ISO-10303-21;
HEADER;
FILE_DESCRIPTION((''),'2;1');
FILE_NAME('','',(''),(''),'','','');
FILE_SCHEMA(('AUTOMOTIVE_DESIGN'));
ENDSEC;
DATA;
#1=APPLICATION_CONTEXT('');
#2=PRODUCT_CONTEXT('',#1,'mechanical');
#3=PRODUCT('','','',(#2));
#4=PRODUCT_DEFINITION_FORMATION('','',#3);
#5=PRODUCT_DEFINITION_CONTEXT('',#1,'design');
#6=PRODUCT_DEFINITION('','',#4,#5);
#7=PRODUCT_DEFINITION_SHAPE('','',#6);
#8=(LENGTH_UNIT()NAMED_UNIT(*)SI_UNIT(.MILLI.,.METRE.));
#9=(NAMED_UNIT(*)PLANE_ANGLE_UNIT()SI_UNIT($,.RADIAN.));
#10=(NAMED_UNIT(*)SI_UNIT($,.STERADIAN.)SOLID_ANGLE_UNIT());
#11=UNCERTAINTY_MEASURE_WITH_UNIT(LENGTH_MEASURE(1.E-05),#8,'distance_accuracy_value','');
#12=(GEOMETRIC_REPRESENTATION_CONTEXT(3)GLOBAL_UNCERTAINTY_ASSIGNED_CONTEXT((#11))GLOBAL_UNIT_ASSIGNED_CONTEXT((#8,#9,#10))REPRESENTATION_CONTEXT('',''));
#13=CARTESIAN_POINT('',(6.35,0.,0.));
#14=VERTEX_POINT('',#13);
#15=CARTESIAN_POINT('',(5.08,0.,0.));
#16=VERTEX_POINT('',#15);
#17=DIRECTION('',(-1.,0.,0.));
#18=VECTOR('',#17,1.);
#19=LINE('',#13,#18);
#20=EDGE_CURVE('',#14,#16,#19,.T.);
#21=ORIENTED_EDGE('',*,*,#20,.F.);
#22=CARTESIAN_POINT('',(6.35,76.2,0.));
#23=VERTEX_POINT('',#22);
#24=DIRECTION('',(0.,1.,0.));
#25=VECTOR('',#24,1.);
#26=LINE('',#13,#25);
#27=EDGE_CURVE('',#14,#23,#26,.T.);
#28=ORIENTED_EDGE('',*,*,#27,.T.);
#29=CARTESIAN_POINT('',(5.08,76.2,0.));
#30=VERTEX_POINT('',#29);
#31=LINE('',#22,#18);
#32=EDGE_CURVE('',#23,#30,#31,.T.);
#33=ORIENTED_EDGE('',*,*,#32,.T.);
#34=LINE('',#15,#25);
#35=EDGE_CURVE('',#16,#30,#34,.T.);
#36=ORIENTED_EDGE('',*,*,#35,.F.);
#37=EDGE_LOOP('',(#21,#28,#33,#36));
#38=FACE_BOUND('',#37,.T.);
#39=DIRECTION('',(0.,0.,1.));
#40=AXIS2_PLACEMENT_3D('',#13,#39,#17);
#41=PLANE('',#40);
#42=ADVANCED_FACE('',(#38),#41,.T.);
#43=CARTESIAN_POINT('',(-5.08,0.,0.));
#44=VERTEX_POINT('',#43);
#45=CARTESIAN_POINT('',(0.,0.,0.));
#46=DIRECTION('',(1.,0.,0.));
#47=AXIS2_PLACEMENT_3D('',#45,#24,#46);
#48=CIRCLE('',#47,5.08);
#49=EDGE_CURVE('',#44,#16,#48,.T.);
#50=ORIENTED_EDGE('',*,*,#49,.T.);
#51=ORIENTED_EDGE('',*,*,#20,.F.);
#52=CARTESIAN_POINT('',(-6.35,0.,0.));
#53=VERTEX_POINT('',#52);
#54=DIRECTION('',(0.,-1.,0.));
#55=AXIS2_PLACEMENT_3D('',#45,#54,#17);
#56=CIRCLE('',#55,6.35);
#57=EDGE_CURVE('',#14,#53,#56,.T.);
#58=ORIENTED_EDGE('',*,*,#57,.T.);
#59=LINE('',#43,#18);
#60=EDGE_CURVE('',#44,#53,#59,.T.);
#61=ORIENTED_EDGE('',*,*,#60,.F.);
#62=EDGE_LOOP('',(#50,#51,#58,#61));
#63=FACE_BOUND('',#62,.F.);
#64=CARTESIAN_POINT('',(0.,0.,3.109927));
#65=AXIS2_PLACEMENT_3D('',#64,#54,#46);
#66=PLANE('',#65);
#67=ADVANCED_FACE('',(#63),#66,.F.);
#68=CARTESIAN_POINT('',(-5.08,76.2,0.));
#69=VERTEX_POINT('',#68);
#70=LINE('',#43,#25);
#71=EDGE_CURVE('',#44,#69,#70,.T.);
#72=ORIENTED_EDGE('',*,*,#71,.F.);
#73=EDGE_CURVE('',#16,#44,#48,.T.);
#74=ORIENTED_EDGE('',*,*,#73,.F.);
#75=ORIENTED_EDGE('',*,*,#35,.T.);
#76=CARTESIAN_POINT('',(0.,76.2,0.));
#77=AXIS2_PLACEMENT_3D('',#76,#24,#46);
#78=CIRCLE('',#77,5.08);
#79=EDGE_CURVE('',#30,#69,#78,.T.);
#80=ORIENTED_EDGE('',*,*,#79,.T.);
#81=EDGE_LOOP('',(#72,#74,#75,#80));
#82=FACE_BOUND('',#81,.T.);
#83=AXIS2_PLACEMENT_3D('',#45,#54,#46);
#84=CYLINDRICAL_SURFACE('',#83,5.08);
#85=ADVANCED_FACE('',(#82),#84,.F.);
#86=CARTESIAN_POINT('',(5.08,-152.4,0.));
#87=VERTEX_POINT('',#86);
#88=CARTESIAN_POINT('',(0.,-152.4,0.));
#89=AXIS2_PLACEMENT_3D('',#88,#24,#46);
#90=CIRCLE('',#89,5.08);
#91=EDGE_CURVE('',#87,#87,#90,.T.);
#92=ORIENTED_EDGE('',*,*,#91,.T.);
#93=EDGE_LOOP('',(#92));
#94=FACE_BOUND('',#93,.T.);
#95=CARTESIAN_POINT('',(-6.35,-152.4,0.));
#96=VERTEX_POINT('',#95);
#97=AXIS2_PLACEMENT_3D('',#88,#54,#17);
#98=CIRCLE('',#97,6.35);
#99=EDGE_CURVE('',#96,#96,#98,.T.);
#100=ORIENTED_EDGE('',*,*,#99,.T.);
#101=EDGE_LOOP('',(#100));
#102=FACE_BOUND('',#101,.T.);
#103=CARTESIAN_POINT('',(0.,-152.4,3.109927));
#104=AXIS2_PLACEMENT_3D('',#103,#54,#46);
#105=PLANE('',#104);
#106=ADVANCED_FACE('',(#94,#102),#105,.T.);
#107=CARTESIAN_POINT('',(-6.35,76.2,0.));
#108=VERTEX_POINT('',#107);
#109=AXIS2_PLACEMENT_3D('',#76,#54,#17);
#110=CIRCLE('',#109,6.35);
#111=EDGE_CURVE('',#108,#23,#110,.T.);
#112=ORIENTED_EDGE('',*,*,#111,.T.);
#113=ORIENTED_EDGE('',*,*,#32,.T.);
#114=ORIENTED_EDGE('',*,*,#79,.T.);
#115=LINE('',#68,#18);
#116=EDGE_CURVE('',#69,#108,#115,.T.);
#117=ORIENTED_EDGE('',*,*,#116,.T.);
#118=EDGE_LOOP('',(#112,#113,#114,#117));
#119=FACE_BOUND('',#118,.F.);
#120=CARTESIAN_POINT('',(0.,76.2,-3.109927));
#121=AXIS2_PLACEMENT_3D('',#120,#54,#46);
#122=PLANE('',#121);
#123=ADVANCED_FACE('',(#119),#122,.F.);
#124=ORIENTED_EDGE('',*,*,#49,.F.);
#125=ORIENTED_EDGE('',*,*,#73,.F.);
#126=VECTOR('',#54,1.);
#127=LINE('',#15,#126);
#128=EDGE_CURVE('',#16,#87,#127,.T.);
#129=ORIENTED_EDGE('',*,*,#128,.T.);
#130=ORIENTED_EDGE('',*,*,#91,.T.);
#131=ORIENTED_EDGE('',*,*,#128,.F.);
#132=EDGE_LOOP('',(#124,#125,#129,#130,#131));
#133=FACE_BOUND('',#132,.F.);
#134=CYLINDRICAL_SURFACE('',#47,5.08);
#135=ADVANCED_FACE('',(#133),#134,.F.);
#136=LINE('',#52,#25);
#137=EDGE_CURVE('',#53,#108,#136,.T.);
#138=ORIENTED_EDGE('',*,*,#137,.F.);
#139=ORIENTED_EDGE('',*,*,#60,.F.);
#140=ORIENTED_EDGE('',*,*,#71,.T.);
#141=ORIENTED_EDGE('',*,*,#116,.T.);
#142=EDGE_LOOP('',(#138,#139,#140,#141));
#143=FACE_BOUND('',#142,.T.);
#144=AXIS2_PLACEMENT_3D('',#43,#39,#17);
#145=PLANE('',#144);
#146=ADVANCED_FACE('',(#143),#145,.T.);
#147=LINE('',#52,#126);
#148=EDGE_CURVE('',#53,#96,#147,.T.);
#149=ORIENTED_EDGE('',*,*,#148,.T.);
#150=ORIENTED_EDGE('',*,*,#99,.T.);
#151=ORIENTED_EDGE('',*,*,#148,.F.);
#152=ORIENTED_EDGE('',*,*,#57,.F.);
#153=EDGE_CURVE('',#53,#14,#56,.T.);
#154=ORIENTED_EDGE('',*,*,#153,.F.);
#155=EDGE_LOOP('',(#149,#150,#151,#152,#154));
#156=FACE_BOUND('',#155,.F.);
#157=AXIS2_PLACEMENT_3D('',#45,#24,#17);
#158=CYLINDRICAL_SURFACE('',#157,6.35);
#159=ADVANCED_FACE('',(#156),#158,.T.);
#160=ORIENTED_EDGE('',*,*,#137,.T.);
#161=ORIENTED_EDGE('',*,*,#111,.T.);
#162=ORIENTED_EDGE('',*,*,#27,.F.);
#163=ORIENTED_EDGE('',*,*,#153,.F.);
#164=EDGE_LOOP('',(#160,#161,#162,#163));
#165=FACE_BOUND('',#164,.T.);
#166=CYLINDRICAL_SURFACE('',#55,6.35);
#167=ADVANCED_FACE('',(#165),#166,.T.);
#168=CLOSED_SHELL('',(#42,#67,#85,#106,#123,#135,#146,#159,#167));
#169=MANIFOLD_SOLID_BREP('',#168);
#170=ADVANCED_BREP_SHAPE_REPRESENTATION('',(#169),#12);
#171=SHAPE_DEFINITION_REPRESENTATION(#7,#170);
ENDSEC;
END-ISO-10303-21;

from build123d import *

# Parameters (mm, degrees)
F1_DEPTH = 152.4
F2_DEPTH = 76.2


with BuildPart() as f1:
    # F0 (on Front) → F1 (new body)
    with BuildSketch(Plane.XZ):
        with BuildLine():
            Line((5.08, 0), (6.35, 0))
            ThreePointArc((6.35, 0), (0, 6.35), (-6.35, 0))
            Line((-6.35, 0), (-5.08, 0))
            ThreePointArc((-5.08, 0), (0, 5.08), (5.08, 0))
        make_face()
        with BuildLine():
            ThreePointArc((-6.35, 0), (0, -6.35), (6.35, 0))
            Line((6.35, 0), (5.08, 0))
            ThreePointArc((5.08, 0), (0, -5.08), (-5.08, 0))
            Line((-5.08, 0), (-6.35, 0))
        make_face()
    extrude(amount=F1_DEPTH)

    # F0 (on Front) → F2 (join)
    with BuildSketch(Plane.XZ):
        with BuildLine():
            ThreePointArc((-6.35, 0), (0, -6.35), (6.35, 0))
            Line((6.35, 0), (5.08, 0))
            ThreePointArc((5.08, 0), (0, -5.08), (-5.08, 0))
            Line((-5.08, 0), (-6.35, 0))
        make_face()
    extrude(amount=-F2_DEPTH)


solid = f1.part
